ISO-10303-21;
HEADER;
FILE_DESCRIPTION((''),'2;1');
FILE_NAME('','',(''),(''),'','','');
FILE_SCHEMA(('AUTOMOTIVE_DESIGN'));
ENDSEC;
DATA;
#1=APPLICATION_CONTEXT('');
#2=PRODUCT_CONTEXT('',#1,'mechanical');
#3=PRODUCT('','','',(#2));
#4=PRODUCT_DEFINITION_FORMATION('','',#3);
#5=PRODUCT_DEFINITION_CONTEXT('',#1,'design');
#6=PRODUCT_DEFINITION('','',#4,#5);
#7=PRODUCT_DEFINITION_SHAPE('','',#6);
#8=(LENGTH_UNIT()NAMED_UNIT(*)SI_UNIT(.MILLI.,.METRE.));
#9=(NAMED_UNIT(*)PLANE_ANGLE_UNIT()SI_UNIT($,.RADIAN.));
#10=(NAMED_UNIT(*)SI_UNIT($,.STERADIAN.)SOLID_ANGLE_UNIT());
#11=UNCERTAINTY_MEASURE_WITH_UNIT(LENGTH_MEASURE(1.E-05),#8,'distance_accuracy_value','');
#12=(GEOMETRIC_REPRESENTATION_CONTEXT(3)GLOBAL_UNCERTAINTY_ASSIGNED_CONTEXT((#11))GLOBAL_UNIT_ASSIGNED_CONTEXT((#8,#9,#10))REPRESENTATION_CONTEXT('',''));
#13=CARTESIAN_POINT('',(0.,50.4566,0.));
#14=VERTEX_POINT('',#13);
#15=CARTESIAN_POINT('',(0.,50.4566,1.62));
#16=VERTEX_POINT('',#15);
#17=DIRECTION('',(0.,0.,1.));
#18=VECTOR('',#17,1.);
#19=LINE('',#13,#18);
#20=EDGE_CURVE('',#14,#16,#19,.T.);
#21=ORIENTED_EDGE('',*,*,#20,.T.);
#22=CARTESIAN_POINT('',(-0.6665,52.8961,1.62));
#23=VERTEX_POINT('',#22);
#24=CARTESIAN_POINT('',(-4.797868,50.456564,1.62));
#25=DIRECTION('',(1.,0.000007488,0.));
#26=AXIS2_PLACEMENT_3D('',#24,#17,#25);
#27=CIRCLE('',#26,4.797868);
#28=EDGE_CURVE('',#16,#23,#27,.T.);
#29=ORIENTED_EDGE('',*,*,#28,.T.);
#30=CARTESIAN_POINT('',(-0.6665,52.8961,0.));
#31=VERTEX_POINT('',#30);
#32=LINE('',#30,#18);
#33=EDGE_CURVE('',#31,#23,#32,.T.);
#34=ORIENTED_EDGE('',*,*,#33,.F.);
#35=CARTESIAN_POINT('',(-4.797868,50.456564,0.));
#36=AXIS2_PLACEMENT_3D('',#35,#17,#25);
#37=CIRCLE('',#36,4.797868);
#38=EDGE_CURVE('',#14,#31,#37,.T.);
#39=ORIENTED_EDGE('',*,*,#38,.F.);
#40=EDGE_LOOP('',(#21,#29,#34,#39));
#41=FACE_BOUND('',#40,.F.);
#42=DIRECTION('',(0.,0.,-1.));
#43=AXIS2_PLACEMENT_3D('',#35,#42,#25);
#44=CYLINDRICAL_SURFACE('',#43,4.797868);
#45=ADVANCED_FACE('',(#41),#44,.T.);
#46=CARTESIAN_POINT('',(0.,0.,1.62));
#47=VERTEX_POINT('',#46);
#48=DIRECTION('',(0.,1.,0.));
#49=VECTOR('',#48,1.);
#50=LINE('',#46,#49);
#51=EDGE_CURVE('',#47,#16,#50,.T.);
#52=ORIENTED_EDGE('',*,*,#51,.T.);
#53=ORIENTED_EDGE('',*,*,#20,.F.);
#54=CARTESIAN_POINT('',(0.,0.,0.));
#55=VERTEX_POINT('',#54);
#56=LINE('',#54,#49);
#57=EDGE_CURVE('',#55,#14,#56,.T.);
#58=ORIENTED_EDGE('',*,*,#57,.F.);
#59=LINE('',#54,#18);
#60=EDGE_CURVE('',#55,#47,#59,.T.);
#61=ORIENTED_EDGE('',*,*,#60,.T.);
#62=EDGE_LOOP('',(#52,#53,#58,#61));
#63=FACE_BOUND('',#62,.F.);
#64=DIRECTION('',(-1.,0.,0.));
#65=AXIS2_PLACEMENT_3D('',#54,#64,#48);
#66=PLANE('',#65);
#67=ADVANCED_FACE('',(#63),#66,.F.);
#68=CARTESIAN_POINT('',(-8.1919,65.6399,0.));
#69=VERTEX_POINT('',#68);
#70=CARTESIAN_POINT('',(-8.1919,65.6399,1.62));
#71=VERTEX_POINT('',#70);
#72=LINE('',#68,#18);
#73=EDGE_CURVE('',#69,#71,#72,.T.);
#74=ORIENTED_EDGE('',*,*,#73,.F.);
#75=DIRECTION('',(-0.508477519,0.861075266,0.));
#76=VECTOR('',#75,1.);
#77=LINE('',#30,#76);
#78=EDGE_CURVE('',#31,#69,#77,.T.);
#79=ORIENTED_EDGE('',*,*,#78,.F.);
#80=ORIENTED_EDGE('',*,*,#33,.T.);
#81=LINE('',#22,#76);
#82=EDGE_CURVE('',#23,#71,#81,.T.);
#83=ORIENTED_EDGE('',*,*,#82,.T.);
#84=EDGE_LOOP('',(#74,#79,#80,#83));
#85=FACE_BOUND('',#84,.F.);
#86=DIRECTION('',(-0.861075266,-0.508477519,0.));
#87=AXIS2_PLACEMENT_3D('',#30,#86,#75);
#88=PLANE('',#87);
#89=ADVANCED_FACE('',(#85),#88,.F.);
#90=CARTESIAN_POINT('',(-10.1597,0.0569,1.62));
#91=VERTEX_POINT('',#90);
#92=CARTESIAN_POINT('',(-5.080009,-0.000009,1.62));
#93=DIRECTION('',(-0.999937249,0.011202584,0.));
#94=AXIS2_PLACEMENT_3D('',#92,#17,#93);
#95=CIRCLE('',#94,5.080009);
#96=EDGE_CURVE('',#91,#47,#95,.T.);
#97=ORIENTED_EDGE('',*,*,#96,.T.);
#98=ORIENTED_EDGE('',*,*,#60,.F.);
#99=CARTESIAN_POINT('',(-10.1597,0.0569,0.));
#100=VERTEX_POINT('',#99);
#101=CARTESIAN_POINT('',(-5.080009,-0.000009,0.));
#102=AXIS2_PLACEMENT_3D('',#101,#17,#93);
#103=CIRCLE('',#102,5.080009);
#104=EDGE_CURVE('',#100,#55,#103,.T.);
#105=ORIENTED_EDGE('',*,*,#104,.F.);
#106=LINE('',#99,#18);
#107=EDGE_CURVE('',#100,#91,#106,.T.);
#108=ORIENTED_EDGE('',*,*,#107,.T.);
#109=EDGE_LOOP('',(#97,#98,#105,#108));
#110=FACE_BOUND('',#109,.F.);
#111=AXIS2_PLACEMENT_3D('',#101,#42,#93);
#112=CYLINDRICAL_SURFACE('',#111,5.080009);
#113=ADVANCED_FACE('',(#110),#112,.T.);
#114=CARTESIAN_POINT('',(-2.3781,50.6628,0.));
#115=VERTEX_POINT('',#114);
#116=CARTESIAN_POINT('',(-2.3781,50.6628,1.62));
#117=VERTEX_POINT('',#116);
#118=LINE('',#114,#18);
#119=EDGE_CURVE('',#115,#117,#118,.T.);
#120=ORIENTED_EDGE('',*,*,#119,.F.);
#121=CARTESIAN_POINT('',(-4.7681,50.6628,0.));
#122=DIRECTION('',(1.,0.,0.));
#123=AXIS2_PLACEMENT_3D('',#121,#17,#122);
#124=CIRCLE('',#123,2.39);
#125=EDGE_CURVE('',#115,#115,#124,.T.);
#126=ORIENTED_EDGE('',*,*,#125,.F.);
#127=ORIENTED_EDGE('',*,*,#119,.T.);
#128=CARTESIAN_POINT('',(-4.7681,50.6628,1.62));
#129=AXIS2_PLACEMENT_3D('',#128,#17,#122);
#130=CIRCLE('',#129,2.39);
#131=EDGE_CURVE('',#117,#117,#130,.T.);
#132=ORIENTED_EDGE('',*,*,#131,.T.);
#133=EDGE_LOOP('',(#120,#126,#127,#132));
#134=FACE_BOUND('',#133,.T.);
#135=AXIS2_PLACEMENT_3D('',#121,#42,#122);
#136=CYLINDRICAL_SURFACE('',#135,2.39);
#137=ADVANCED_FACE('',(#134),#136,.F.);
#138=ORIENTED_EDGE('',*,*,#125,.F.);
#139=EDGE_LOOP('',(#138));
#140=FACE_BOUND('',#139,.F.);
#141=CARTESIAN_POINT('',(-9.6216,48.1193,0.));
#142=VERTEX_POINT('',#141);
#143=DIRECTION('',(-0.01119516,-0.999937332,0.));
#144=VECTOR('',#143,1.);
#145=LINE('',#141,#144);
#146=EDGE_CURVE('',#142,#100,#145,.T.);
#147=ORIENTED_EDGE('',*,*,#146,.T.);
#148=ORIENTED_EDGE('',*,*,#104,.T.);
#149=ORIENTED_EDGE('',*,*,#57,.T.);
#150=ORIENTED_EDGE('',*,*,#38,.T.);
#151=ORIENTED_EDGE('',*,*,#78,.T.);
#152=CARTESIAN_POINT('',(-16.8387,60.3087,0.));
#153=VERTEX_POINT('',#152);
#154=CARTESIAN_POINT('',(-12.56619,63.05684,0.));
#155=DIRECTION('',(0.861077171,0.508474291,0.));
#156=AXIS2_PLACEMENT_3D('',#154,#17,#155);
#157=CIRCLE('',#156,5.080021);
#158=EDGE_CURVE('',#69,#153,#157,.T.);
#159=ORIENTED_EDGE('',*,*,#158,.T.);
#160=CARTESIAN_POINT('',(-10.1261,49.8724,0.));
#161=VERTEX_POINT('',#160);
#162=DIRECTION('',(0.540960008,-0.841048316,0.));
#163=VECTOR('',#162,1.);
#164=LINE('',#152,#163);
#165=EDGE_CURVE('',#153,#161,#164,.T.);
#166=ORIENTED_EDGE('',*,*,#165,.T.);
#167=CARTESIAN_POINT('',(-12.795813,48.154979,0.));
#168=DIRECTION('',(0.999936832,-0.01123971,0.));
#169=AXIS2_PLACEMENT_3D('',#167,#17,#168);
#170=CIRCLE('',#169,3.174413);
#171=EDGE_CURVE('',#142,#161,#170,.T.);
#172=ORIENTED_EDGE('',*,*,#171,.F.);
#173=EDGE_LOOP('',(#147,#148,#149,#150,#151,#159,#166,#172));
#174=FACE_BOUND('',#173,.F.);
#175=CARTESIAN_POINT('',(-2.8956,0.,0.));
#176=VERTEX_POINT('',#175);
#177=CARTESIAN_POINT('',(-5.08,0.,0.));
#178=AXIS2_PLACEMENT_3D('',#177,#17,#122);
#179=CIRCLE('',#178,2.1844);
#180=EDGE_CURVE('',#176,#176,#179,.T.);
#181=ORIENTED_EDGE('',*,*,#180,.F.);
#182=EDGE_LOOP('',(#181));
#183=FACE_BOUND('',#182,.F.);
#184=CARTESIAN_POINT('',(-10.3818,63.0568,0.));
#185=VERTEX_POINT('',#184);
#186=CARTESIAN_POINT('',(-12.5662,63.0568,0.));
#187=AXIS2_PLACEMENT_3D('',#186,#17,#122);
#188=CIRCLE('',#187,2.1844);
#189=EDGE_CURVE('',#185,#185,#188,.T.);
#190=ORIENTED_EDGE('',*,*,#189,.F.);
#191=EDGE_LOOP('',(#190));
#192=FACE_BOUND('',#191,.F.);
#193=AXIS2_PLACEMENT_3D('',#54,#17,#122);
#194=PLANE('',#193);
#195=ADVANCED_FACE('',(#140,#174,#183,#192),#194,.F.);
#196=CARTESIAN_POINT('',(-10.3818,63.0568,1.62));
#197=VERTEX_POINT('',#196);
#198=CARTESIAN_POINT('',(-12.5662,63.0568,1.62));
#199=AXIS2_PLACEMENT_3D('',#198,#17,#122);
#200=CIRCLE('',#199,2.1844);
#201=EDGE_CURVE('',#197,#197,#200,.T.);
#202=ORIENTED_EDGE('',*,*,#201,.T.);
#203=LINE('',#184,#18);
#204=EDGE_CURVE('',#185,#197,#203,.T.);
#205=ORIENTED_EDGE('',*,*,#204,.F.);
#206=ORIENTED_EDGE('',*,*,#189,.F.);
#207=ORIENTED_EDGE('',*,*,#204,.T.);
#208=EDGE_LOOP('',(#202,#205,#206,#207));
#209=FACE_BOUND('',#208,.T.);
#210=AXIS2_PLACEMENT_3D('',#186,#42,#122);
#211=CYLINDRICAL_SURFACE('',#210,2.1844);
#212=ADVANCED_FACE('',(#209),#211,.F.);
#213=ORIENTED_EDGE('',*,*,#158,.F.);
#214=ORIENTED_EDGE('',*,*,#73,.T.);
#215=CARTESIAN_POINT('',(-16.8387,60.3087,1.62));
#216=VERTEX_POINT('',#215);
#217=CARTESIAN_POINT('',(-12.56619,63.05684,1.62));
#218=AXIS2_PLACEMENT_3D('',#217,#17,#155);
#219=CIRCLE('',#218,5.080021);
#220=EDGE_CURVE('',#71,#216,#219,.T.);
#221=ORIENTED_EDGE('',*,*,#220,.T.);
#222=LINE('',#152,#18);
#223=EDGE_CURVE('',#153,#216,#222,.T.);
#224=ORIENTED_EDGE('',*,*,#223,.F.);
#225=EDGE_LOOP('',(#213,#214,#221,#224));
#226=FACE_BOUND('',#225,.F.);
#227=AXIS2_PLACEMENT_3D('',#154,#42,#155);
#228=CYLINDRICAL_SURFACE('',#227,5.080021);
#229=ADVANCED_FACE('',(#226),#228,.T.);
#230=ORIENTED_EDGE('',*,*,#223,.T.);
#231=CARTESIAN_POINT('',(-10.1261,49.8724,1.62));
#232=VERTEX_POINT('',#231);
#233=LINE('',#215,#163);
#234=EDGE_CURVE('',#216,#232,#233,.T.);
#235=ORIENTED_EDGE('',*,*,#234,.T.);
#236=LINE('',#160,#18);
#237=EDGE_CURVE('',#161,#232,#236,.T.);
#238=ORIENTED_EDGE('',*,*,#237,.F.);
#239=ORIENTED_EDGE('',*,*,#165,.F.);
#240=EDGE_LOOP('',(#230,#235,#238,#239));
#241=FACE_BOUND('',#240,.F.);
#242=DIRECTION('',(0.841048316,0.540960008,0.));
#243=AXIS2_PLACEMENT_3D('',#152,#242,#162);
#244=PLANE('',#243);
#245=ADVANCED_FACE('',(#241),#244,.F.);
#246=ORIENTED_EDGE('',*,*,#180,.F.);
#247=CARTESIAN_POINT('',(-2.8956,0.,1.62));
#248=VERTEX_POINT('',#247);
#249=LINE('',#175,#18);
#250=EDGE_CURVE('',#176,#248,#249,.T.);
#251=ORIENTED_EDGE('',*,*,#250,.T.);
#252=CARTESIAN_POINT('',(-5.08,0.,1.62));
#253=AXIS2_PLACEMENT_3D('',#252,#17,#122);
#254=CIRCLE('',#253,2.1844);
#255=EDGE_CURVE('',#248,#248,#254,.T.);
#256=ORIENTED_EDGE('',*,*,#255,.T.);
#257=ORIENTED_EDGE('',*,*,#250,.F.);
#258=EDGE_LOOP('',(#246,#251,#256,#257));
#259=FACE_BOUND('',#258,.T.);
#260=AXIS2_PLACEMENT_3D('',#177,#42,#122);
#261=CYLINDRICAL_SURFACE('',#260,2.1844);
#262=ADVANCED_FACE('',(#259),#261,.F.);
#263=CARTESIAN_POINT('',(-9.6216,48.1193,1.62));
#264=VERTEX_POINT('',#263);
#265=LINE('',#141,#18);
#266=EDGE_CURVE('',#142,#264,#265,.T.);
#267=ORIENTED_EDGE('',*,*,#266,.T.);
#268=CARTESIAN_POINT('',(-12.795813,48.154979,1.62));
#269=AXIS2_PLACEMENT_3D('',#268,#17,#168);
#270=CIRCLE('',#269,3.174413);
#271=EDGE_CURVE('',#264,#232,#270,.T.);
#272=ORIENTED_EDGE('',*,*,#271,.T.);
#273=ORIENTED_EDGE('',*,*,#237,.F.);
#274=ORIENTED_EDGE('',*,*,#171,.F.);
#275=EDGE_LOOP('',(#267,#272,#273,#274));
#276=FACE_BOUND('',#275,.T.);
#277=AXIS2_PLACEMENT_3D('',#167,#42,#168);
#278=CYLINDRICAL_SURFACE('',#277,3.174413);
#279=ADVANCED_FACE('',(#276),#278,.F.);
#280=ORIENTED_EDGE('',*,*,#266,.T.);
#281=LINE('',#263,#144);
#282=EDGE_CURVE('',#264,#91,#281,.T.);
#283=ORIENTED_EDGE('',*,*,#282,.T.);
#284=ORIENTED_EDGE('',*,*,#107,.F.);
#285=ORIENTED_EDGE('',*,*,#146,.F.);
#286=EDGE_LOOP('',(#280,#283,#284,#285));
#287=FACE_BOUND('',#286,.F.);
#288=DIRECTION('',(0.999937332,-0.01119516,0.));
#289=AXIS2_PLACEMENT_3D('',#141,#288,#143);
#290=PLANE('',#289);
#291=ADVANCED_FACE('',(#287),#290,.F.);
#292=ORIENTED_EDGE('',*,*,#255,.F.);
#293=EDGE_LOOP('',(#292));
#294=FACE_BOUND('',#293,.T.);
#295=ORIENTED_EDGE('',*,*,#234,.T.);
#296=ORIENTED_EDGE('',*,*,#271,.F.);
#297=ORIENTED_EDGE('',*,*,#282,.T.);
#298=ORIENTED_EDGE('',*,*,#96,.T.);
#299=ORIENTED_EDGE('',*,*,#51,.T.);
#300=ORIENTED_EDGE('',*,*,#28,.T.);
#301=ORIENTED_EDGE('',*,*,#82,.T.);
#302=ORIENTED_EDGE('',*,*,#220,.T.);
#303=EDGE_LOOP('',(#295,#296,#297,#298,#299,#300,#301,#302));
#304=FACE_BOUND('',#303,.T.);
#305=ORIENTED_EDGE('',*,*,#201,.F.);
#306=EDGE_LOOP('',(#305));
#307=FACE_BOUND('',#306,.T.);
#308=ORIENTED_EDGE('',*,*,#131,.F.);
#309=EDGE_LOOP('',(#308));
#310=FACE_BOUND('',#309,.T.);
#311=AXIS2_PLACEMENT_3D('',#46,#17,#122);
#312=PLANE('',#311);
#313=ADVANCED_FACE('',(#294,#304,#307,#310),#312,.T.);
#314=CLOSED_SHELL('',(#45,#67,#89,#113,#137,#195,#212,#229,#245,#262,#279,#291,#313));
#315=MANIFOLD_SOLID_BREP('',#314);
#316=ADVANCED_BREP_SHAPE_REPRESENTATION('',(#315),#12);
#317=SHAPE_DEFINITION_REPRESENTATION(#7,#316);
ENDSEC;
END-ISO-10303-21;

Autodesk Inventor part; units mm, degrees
ref_plane "YZ Plane" through (0, 0, 0) normal (1, 0, 0) x (0, 1, 0)
ref_plane "XZ Plane" through (0, 0, 0) normal (0, 1, 0) x (-1, 0, 0)
ref_plane "XY Plane" through (0, 0, 0) normal (0, 0, 1) x (1, 0, 0)
sketch "Sketch2" plane through (0, 0, 0) normal (0, 0, 1) x (1, 0, 0)
  circle A0 centre (-4.7681, 50.6628) radius 2.39
  circle A1 centre (-4.7681, 50.6628) radius 2.39
  circle A2 centre (-5.08, 0) radius 2.1844
  circle A3 centre (-12.5662, 63.0568) radius 2.1844
  arc A4 (-10.1597, 0.0569) -> (0, 0) centre (-5.08, 0) ccw
  arc A5 (-8.1919, 65.6399) -> (-16.8387, 60.3087) centre (-12.5662, 63.0568) ccw
  line L0 (-16.8387, 60.3087) -> (-10.1261, 49.8724)
  line L1 (-0.6665, 52.8961) -> (-8.1919, 65.6399)
  line L2 (0, 0) -> (0, 50.4566)
  arc A6 (0, 50.4566) -> (-0.6665, 52.8961) centre (-4.7976, 50.4566) ccw
  line L3 (-9.6216, 48.1193) -> (-10.1597, 0.0569)
  arc A7 (-9.6216, 48.1193) -> (-10.1261, 49.8724) centre (-12.7964, 48.1549) ccw
  circle A8 centre (-12.5662, 63.0568) radius 2.1844
  circle A9 centre (-5.08, 0) radius 2.1844
  arc A10 (-10.1597, 0.0569) -> (0, 0) centre (-5.08, 0) ccw
  line L4 (-10.1597, 0.0569) -> (-9.6216, 48.1193)
  line L5 (-10.1261, 49.8724) -> (-16.8387, 60.3087)
  arc A11 (-9.6216, 48.1193) -> (-10.1261, 49.8724) centre (-12.7964, 48.1549) ccw
  arc A12 (-8.1919, 65.6399) -> (-16.8387, 60.3087) centre (-12.5662, 63.0568) ccw
  line L6 (-8.1919, 65.6399) -> (-0.6665, 52.8961)
extrude "Extrusion4" add sketch "Sketch2" along normal blind 1.62
properties part number "pneumaticwingplexi"
